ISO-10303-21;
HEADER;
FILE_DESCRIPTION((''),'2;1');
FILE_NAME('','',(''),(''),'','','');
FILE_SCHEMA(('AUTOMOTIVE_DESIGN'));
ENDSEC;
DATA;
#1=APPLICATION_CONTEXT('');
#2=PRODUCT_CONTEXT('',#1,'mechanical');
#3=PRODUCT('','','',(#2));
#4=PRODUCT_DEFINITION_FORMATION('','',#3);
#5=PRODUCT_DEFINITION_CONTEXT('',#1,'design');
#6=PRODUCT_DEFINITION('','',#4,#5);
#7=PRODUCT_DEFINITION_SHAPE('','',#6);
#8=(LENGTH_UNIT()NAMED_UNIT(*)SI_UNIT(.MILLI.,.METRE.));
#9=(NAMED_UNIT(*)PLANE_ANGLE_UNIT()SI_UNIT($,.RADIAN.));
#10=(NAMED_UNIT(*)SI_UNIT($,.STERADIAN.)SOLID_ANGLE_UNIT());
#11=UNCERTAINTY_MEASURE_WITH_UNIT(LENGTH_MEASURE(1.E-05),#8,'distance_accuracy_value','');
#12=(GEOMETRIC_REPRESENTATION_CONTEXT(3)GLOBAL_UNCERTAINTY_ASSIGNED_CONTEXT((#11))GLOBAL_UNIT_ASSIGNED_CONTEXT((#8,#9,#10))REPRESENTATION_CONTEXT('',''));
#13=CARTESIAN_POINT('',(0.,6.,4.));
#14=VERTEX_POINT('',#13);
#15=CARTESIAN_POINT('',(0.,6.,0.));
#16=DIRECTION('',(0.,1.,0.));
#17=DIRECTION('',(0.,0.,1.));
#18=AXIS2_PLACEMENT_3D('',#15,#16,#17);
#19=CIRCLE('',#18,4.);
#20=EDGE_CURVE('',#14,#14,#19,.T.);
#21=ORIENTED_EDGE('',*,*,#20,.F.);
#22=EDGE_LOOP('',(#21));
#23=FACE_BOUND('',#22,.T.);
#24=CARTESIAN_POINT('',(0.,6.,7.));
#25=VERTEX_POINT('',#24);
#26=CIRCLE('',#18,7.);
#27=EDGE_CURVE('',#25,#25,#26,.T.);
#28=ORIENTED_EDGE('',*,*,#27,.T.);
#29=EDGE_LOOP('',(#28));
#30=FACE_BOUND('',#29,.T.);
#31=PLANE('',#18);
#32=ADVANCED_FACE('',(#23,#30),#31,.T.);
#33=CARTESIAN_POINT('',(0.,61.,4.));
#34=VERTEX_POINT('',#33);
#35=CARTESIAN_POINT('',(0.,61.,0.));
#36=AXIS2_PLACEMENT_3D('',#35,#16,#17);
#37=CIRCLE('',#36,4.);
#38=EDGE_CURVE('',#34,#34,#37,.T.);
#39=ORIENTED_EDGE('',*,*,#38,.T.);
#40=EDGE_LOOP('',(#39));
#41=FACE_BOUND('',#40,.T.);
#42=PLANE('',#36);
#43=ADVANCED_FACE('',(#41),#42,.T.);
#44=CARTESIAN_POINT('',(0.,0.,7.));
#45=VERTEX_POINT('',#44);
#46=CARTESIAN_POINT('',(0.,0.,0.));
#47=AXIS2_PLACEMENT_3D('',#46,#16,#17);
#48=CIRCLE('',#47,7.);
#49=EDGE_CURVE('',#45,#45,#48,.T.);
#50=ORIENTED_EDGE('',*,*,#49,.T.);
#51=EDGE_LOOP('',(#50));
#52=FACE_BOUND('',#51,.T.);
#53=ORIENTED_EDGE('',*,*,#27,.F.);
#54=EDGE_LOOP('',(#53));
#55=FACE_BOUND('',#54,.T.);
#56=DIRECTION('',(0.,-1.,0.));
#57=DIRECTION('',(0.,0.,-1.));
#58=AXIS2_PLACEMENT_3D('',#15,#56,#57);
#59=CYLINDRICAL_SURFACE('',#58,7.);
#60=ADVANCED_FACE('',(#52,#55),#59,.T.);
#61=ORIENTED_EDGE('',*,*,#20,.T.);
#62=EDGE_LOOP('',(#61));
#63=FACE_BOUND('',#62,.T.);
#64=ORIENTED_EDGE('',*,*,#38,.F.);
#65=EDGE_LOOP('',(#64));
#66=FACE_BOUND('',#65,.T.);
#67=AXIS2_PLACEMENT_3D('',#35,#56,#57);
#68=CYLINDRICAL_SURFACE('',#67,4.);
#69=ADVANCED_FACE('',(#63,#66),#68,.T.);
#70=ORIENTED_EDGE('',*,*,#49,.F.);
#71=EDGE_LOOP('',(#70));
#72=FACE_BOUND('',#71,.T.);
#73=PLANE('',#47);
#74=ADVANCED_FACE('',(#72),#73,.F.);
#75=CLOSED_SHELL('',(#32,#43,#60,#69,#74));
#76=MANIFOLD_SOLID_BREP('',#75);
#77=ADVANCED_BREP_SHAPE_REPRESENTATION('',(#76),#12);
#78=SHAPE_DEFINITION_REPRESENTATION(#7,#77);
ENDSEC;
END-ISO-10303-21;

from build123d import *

# Parameters (mm, degrees)
SKETCH1_R           = 7
BOSS_EXTRUDE1_DEPTH = 6
SKETCH2_R           = 4
BOSS_EXTRUDE2_DEPTH = 55


with BuildPart() as part:
    # Sketch1 → Boss-Extrude1 (new body)
    with BuildSketch(Plane(origin=(0, 0, 0), x_dir=(1, 0, 0), z_dir=(0, 1, 0))):
        Circle(SKETCH1_R)
    extrude(amount=BOSS_EXTRUDE1_DEPTH)

    # Sketch2 → Boss-Extrude2 (add)
    with BuildSketch(Plane(origin=(0, 6, 0), x_dir=(1, 0, 0), z_dir=(0, 1, 0))):
        Circle(SKETCH2_R)
    extrude(amount=BOSS_EXTRUDE2_DEPTH)


solid = part.part
